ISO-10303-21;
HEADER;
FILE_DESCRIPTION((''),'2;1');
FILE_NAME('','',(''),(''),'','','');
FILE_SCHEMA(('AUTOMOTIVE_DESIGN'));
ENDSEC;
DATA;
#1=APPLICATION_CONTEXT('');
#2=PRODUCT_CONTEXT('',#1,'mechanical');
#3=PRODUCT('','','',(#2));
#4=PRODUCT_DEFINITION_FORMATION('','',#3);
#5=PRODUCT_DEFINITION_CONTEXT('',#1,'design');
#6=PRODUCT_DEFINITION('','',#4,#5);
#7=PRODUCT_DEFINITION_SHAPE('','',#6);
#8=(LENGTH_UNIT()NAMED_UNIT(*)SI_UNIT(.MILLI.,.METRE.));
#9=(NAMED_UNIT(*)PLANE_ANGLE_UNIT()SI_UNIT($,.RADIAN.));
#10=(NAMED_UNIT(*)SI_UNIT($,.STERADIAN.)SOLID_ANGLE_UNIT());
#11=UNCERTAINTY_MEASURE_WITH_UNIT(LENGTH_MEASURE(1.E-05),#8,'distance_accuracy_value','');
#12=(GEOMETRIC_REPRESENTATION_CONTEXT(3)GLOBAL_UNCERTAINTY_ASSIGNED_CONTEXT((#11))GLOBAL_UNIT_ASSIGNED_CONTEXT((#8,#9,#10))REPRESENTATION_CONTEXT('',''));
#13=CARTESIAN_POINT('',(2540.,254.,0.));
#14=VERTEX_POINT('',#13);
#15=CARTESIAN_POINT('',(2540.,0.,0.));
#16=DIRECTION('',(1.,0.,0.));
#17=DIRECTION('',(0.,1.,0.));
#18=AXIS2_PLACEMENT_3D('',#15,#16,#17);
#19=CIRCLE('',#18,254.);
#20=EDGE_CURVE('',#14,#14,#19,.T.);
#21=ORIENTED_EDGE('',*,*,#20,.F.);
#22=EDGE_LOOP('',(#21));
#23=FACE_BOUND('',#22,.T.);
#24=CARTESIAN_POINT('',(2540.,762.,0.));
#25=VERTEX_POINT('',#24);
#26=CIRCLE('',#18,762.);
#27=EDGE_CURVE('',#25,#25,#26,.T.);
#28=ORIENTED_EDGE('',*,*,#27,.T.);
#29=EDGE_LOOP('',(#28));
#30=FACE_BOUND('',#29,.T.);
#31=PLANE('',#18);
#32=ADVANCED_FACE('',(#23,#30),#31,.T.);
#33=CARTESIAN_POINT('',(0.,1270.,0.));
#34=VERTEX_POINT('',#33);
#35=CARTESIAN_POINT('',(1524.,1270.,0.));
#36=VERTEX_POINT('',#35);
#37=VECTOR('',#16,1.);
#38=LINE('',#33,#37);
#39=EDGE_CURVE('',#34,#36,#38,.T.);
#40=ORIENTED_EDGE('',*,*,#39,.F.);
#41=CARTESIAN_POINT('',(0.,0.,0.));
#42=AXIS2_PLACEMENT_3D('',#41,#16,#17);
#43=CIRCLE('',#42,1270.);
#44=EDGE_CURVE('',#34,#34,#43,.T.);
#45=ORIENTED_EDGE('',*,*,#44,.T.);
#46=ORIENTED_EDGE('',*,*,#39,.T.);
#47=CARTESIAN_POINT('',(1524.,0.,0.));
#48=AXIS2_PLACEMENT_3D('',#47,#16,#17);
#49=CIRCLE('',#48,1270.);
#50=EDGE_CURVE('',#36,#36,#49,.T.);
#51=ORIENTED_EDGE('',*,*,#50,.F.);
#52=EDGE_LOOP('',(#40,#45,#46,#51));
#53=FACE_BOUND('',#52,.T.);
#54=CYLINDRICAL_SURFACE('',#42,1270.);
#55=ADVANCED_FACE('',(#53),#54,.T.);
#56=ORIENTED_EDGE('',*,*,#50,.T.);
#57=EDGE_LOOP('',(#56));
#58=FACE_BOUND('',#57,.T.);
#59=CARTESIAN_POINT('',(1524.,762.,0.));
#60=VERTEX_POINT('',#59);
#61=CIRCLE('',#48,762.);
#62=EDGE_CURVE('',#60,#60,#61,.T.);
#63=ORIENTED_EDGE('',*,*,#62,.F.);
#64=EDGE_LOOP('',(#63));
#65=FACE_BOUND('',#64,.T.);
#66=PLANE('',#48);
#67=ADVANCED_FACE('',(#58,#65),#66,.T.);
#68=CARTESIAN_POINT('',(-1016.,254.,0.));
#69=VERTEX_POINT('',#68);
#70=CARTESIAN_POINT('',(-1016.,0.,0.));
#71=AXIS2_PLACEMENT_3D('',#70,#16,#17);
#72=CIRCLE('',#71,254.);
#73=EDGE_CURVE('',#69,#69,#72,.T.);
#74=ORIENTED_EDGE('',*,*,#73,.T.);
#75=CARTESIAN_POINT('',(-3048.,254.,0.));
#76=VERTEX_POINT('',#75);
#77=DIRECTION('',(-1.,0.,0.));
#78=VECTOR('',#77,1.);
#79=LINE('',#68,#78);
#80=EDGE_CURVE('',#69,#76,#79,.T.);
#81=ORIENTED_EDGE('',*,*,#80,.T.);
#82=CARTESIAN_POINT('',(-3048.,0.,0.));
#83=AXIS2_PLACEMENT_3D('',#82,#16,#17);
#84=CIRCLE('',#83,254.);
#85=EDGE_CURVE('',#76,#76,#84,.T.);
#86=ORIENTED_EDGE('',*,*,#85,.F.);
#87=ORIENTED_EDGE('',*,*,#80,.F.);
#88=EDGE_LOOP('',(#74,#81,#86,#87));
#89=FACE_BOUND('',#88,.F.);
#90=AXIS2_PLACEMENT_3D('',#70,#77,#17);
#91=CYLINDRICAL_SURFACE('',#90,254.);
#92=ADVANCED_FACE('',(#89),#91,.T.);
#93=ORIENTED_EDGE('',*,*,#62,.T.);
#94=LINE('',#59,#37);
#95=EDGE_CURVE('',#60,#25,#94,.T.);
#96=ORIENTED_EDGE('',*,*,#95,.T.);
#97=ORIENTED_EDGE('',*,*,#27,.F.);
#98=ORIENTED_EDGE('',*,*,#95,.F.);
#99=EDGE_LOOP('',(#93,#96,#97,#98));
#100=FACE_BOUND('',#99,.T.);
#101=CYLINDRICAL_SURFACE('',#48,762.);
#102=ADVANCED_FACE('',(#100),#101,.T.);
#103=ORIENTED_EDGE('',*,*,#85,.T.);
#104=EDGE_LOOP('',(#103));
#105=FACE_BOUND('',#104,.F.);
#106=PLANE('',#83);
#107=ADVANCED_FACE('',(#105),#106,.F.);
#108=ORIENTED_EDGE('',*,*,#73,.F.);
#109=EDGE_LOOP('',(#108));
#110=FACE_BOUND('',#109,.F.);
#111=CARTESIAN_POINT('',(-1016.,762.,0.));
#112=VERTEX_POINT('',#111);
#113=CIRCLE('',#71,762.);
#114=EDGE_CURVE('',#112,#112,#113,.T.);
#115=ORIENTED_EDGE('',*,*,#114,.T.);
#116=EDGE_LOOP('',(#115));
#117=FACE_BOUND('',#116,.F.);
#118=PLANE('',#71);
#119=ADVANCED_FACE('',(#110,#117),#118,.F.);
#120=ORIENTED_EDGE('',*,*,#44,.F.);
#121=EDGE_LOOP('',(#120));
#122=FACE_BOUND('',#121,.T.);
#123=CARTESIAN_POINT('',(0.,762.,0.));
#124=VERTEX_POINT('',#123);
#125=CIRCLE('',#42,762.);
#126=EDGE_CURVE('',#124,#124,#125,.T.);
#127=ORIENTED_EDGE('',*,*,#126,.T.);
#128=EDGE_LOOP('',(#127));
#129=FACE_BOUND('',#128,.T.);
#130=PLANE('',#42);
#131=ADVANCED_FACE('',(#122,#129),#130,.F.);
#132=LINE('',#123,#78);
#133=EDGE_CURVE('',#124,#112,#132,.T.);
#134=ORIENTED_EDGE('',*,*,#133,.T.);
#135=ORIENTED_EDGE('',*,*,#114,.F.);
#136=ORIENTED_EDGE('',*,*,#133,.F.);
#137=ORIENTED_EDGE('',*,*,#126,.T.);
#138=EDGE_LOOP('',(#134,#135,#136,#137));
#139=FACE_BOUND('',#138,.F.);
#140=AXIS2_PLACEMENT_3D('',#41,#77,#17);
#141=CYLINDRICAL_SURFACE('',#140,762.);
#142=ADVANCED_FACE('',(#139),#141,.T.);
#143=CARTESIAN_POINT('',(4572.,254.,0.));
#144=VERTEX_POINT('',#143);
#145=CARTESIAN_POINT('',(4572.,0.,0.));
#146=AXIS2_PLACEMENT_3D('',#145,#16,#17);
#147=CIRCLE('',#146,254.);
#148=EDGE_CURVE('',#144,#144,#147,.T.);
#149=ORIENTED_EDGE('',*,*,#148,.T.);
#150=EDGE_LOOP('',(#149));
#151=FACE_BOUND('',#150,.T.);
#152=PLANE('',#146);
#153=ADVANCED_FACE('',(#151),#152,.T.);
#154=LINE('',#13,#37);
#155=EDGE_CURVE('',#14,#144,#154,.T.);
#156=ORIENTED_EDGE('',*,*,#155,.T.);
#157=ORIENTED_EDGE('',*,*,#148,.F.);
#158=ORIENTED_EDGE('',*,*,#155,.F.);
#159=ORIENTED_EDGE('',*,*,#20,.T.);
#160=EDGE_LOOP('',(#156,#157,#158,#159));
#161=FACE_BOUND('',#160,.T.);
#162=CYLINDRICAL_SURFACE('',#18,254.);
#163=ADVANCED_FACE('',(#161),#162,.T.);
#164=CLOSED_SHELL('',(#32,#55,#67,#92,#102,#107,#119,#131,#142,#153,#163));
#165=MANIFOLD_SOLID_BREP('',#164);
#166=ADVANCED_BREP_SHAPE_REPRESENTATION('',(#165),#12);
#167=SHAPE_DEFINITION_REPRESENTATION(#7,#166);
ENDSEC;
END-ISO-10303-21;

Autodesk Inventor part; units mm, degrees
ref_plane "YZ Plane" through (0, 0, 0) normal (1, 0, 0) x (0, 1, 0)
ref_plane "XZ Plane" through (0, 0, 0) normal (0, 1, 0) x (-1, 0, 0)
ref_plane "XY Plane" through (0, 0, 0) normal (0, 0, 1) x (1, 0, 0)
sketch "草圖1" plane through (0, 0, 0) normal (0, 0, 1) x (1, 0, 0)
  line L0 (0, 0) -> (0, 1270)
  line L1 (0, 1270) -> (1524, 1270)
  line L2 (1524, 1270) -> (1524, 0)
  line L3 (1524, 0) -> (1524, 762)
  line L4 (1524, 762) -> (2540, 762)
  line L5 (2540, 762) -> (2540, 0)
  line L6 (2540, 0) -> (2540, 254)
  line L7 (2540, 254) -> (4572, 254)
  line L8 (4572, 254) -> (4572, 0)
  line L9 (4572, 0) -> (0, 0)
  line L10 (762, 0) -> (762, 1270)
  line L11 (1524, 1270) -> (0, 1270)
  line L12 (0, 1270) -> (0, 0)
  line L13 (0, 0) -> (0, 762)
  line L14 (0, 762) -> (-1016, 762)
  line L15 (-1016, 762) -> (-1016, 0)
  line L16 (-1016, 0) -> (-1016, 254)
  line L17 (-1016, 254) -> (-3048, 254)
  line L18 (-3048, 254) -> (-3048, 0)
  line L19 (-3048, 0) -> (1524, 0)
  dimension "d0" = 1270
  dimension "d1" = 1524
  dimension "d2" = 762
  dimension "d3" = 1016
  dimension "d4" = 254
  dimension "d5" = 2032
revolve "迴轉1" add sketch "草圖1" angle 360 about axis through (-3048, 0, 0) along (1, 0, 0)
